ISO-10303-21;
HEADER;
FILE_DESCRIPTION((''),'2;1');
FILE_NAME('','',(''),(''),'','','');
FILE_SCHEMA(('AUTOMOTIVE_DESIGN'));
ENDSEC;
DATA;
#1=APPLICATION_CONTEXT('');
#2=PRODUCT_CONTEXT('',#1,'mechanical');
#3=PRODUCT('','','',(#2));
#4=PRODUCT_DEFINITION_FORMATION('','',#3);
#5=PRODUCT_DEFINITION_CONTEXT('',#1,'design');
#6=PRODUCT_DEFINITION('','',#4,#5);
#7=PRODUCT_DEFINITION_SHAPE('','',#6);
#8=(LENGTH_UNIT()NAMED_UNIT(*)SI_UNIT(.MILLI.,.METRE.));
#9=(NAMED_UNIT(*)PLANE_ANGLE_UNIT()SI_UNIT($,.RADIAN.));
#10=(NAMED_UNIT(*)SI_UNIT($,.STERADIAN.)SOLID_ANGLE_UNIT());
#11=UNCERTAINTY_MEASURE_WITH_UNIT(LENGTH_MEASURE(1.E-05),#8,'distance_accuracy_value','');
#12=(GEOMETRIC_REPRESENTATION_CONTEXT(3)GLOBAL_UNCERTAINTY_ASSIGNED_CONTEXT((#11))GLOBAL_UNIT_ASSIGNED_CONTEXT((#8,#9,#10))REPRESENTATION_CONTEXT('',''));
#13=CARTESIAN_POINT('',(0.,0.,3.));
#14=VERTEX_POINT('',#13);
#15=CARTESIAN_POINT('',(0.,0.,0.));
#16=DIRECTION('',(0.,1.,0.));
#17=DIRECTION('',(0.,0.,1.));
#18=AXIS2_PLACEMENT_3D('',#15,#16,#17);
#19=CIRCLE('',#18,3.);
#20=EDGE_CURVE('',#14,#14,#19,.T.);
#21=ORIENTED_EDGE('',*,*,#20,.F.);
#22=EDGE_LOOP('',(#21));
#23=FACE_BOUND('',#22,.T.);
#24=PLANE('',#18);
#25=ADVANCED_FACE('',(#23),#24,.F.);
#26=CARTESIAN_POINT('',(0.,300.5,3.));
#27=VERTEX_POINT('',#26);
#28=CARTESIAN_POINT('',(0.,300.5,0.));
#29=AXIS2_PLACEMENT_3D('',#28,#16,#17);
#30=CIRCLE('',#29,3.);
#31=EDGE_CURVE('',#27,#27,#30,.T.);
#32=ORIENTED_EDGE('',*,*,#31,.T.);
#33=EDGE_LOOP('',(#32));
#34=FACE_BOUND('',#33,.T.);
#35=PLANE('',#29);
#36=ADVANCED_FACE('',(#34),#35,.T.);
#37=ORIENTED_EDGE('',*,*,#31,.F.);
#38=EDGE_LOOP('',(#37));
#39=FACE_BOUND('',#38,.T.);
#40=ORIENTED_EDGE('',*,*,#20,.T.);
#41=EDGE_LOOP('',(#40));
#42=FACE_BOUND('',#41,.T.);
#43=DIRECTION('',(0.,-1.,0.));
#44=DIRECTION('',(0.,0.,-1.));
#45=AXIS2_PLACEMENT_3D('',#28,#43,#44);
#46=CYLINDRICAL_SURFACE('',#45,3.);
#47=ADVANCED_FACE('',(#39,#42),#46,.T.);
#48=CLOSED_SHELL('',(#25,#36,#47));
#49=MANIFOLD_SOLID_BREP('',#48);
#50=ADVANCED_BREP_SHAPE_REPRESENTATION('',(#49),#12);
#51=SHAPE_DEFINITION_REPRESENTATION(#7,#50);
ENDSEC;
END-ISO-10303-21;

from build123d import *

# Parameters (mm, degrees)
SKETCH_1_R      = 3
EXTRUDE_1_DEPTH = 300.5


with BuildPart() as part:
    # Эскиз1 → Бобышка-Вытянуть1 (new body)
    with BuildSketch(Plane(origin=(0, 0, 0), x_dir=(1, 0, 0), z_dir=(0, 1, 0))):
        Circle(SKETCH_1_R)
    extrude(amount=EXTRUDE_1_DEPTH)


solid = part.part
